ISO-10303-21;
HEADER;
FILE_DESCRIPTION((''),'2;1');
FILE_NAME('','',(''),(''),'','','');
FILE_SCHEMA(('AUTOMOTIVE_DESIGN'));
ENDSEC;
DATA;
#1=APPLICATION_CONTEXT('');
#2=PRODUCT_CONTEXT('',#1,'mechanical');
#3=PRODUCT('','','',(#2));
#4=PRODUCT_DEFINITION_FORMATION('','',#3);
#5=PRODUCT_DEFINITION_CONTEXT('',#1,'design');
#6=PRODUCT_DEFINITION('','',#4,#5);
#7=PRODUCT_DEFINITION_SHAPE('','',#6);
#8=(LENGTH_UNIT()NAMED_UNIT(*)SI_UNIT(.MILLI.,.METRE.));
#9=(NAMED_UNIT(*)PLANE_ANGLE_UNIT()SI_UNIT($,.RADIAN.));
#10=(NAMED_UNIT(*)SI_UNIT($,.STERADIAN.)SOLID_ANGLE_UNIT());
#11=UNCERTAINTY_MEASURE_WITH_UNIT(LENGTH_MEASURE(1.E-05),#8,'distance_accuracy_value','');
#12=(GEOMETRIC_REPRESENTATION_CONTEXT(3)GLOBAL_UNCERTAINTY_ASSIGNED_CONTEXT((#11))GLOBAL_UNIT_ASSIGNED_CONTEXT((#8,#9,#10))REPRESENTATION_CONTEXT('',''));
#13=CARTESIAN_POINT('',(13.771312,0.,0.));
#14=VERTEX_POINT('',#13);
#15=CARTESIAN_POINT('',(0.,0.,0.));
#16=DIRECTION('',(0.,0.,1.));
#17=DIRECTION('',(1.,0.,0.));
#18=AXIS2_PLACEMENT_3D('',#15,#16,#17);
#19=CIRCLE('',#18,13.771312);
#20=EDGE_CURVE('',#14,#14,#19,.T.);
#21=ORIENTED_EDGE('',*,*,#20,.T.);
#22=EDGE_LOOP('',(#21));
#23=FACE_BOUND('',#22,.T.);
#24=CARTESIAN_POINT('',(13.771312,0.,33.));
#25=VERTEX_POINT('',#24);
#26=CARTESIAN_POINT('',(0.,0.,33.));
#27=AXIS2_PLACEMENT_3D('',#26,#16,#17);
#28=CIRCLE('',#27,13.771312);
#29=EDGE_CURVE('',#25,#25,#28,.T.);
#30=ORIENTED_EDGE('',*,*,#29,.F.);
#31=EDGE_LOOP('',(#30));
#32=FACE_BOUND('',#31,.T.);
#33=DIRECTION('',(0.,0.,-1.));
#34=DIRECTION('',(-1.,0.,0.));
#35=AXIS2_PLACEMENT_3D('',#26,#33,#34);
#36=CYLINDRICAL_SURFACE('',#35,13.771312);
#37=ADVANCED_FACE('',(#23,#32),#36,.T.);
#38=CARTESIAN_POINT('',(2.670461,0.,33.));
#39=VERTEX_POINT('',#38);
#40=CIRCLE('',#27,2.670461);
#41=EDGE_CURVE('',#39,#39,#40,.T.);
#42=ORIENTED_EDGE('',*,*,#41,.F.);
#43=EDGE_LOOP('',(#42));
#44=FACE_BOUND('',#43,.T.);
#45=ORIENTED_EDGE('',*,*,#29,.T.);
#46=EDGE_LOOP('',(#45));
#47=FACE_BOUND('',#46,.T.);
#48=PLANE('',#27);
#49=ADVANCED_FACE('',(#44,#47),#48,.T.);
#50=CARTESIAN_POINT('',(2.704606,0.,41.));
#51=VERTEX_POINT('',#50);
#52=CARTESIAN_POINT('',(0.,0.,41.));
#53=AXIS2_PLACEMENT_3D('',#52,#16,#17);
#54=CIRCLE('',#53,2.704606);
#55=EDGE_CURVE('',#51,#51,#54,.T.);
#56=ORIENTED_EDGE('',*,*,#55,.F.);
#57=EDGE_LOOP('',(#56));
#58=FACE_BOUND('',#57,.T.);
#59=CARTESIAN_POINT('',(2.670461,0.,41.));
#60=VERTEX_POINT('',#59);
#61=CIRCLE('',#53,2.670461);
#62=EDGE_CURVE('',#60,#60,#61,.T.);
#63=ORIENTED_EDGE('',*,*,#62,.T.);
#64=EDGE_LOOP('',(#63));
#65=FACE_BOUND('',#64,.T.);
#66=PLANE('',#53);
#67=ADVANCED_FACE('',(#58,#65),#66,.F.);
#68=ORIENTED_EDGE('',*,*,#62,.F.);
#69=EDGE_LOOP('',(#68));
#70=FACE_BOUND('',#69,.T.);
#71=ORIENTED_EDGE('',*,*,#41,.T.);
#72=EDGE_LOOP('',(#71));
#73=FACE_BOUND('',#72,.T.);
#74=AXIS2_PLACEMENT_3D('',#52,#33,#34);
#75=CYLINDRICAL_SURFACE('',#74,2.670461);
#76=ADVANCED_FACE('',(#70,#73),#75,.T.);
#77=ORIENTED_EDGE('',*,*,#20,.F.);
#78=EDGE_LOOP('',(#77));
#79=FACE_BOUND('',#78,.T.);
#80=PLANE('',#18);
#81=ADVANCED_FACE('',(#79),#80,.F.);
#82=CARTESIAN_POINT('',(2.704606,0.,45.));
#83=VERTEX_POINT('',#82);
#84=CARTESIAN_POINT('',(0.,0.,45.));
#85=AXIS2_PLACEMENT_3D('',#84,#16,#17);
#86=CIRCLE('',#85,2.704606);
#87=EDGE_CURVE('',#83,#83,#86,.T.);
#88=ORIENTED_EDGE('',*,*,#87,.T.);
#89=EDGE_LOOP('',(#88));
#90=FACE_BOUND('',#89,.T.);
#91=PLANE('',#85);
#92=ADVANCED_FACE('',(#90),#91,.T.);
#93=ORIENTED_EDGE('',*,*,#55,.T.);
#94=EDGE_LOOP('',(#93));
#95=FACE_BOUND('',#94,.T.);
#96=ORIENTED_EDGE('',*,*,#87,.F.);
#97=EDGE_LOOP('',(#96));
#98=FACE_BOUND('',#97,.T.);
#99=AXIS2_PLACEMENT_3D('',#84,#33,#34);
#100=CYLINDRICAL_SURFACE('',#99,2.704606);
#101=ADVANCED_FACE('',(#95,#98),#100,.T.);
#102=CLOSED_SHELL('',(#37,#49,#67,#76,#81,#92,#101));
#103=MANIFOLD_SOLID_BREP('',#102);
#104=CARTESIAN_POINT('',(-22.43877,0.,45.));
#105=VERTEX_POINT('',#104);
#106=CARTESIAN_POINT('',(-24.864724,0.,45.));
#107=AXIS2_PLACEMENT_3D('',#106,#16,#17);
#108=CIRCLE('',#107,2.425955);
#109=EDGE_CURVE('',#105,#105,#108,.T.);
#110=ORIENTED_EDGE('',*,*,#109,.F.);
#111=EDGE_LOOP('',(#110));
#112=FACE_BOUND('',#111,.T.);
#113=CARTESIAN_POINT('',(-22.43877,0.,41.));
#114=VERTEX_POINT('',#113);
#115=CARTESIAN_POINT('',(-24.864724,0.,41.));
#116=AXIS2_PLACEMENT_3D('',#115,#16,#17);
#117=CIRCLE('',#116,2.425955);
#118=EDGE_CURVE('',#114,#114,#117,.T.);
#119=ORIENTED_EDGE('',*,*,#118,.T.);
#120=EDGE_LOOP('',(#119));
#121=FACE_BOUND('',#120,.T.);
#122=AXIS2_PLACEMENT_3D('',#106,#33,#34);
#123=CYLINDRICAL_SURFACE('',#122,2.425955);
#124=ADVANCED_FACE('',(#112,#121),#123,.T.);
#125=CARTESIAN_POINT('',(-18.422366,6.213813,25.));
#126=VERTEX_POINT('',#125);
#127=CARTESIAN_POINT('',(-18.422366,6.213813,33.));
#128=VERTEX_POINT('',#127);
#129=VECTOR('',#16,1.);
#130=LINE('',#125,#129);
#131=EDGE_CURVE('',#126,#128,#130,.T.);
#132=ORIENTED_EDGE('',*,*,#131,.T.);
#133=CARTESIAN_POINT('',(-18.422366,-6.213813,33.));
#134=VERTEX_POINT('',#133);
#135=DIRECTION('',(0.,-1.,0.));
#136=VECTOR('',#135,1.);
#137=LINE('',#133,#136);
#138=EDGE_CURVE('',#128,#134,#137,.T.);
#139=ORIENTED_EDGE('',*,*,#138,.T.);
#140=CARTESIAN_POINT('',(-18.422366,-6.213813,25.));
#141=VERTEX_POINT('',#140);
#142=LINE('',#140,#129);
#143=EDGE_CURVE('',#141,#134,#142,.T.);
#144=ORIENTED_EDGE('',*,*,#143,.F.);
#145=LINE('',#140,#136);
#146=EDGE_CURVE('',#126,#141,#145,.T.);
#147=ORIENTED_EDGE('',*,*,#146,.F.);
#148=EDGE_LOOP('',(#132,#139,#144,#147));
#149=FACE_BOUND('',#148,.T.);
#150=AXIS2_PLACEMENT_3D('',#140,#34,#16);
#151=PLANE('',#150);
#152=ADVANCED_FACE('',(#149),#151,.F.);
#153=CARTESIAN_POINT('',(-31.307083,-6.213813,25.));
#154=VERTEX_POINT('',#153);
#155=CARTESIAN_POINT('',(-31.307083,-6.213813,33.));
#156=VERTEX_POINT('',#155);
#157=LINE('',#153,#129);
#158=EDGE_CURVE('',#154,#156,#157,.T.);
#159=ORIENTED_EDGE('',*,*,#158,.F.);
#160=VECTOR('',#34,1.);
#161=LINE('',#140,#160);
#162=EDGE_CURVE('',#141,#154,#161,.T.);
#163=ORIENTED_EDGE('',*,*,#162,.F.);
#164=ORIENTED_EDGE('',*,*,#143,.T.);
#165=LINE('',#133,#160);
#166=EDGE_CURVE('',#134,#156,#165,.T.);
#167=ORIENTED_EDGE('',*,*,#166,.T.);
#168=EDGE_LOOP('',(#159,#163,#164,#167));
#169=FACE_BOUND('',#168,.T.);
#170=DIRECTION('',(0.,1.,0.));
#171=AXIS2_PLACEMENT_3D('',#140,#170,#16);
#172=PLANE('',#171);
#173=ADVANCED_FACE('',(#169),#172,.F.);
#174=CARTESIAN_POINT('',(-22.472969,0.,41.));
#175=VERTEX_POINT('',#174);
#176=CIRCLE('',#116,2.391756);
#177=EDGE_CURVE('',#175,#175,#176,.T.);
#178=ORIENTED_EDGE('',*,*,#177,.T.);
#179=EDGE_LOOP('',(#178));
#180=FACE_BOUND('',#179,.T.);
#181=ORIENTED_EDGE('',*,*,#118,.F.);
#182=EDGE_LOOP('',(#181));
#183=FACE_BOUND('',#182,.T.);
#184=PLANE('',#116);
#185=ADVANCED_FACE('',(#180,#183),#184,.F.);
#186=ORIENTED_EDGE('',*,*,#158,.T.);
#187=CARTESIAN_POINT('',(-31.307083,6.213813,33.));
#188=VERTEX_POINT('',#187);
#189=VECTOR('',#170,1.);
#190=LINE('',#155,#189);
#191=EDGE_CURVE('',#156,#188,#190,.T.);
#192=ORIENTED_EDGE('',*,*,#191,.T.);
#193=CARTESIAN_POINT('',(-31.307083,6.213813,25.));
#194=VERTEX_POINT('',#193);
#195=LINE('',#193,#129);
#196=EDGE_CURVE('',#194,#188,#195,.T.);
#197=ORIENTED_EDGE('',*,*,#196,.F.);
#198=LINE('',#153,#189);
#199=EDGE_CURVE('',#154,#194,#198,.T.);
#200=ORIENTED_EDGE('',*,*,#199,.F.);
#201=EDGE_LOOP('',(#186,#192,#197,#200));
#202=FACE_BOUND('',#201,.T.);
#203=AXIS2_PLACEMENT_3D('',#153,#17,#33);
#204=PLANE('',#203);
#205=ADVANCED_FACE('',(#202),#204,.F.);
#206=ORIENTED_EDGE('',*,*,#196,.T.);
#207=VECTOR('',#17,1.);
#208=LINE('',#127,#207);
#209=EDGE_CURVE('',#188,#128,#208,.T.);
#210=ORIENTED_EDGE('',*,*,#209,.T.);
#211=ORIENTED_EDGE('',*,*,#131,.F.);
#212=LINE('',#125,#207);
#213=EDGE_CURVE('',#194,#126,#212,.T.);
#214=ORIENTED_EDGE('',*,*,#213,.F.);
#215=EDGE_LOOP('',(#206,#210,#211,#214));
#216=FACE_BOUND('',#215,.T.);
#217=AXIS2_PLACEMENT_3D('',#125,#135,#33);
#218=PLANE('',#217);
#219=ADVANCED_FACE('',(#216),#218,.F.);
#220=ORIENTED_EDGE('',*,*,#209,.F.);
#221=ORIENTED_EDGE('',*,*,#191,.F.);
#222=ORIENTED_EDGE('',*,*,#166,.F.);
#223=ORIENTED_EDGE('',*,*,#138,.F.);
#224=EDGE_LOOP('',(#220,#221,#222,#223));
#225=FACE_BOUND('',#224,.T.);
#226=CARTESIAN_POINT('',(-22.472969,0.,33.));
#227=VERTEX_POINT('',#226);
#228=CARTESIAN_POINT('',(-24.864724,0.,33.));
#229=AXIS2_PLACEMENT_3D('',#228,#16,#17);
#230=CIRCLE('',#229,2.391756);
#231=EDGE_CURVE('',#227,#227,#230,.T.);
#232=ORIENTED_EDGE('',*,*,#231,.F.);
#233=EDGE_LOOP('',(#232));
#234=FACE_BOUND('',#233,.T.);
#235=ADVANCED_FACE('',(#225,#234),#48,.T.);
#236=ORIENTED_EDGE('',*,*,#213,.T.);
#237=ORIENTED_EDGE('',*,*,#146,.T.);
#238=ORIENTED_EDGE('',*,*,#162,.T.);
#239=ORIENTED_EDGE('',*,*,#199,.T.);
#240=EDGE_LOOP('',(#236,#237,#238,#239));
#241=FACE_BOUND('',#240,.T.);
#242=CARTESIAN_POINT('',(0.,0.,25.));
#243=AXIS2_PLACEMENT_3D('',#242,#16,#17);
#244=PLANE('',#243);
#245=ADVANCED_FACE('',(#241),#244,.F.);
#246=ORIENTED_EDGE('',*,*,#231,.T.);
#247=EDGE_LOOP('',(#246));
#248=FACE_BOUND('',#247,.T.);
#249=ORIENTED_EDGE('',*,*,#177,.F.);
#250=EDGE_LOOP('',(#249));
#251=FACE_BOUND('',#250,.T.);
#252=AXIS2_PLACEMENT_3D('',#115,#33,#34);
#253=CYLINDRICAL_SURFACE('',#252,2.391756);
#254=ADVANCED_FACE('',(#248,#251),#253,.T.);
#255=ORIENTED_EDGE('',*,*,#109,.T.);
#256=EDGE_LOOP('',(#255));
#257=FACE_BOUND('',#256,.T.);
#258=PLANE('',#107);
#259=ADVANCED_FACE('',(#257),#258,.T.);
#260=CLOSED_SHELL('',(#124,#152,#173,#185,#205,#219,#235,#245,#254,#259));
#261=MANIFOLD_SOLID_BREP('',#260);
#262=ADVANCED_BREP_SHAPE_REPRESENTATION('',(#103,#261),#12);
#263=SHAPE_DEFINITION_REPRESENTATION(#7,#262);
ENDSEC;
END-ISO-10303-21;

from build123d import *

# Parameters (mm, degrees)
SKETCH2_R           = 13.771311666
BOSS_EXTRUDE1_DEPTH = 33
SKETCH4_R           = 2.670460619
BOSS_EXTRUDE2_DEPTH = 8
SKETCH5_R           = 2.391755936
BOSS_EXTRUDE3_DEPTH = 8
SKETCH6_W           = 12.884717539
SKETCH6_H           = 12.427625198
BOSS_EXTRUDE4_DEPTH = 8
SKETCH23_R          = 2.425954538
BOSS_EXTRUDE6_DEPTH = 4
SKETCH24_R          = 2.7046062
BOSS_EXTRUDE7_DEPTH = 4


with BuildPart() as part:
    # Sketch2 → Boss-Extrude1 (new body)
    with BuildSketch(Plane.XY):
        Circle(SKETCH2_R)
    extrude(amount=BOSS_EXTRUDE1_DEPTH)

    # Sketch4 → Boss-Extrude2 (add)
    with BuildSketch(Plane.XY.offset(33)):
        Circle(SKETCH4_R)
    extrude(amount=BOSS_EXTRUDE2_DEPTH)

    # Sketch24 → Boss-Extrude7 (add)
    with BuildSketch(Plane.XY.offset(41)):
        Circle(SKETCH24_R)
    extrude(amount=BOSS_EXTRUDE7_DEPTH)


with BuildPart() as body_2:
    # Sketch5 → Boss-Extrude3 (new body)
    with BuildSketch(Plane.XY.offset(33)):
        with Locations((-24.864724485, 0)):
            Circle(SKETCH5_R)
    extrude(amount=BOSS_EXTRUDE3_DEPTH)

    # Sketch6 → Boss-Extrude4 (add)
    with BuildSketch(Plane(origin=(0, 0, 33), x_dir=(-1, 0, 0), z_dir=(0, 0, -1))):
        with Locations((24.864724486, 0)):
            Rectangle(SKETCH6_W, SKETCH6_H)
    extrude(amount=BOSS_EXTRUDE4_DEPTH)

    # Sketch23 → Boss-Extrude6 (add)
    with BuildSketch(Plane.XY.offset(41)):
        with Locations((-24.864724485, 0)):
            Circle(SKETCH23_R)
    extrude(amount=BOSS_EXTRUDE6_DEPTH)


solid = Compound([part.part, body_2.part])
